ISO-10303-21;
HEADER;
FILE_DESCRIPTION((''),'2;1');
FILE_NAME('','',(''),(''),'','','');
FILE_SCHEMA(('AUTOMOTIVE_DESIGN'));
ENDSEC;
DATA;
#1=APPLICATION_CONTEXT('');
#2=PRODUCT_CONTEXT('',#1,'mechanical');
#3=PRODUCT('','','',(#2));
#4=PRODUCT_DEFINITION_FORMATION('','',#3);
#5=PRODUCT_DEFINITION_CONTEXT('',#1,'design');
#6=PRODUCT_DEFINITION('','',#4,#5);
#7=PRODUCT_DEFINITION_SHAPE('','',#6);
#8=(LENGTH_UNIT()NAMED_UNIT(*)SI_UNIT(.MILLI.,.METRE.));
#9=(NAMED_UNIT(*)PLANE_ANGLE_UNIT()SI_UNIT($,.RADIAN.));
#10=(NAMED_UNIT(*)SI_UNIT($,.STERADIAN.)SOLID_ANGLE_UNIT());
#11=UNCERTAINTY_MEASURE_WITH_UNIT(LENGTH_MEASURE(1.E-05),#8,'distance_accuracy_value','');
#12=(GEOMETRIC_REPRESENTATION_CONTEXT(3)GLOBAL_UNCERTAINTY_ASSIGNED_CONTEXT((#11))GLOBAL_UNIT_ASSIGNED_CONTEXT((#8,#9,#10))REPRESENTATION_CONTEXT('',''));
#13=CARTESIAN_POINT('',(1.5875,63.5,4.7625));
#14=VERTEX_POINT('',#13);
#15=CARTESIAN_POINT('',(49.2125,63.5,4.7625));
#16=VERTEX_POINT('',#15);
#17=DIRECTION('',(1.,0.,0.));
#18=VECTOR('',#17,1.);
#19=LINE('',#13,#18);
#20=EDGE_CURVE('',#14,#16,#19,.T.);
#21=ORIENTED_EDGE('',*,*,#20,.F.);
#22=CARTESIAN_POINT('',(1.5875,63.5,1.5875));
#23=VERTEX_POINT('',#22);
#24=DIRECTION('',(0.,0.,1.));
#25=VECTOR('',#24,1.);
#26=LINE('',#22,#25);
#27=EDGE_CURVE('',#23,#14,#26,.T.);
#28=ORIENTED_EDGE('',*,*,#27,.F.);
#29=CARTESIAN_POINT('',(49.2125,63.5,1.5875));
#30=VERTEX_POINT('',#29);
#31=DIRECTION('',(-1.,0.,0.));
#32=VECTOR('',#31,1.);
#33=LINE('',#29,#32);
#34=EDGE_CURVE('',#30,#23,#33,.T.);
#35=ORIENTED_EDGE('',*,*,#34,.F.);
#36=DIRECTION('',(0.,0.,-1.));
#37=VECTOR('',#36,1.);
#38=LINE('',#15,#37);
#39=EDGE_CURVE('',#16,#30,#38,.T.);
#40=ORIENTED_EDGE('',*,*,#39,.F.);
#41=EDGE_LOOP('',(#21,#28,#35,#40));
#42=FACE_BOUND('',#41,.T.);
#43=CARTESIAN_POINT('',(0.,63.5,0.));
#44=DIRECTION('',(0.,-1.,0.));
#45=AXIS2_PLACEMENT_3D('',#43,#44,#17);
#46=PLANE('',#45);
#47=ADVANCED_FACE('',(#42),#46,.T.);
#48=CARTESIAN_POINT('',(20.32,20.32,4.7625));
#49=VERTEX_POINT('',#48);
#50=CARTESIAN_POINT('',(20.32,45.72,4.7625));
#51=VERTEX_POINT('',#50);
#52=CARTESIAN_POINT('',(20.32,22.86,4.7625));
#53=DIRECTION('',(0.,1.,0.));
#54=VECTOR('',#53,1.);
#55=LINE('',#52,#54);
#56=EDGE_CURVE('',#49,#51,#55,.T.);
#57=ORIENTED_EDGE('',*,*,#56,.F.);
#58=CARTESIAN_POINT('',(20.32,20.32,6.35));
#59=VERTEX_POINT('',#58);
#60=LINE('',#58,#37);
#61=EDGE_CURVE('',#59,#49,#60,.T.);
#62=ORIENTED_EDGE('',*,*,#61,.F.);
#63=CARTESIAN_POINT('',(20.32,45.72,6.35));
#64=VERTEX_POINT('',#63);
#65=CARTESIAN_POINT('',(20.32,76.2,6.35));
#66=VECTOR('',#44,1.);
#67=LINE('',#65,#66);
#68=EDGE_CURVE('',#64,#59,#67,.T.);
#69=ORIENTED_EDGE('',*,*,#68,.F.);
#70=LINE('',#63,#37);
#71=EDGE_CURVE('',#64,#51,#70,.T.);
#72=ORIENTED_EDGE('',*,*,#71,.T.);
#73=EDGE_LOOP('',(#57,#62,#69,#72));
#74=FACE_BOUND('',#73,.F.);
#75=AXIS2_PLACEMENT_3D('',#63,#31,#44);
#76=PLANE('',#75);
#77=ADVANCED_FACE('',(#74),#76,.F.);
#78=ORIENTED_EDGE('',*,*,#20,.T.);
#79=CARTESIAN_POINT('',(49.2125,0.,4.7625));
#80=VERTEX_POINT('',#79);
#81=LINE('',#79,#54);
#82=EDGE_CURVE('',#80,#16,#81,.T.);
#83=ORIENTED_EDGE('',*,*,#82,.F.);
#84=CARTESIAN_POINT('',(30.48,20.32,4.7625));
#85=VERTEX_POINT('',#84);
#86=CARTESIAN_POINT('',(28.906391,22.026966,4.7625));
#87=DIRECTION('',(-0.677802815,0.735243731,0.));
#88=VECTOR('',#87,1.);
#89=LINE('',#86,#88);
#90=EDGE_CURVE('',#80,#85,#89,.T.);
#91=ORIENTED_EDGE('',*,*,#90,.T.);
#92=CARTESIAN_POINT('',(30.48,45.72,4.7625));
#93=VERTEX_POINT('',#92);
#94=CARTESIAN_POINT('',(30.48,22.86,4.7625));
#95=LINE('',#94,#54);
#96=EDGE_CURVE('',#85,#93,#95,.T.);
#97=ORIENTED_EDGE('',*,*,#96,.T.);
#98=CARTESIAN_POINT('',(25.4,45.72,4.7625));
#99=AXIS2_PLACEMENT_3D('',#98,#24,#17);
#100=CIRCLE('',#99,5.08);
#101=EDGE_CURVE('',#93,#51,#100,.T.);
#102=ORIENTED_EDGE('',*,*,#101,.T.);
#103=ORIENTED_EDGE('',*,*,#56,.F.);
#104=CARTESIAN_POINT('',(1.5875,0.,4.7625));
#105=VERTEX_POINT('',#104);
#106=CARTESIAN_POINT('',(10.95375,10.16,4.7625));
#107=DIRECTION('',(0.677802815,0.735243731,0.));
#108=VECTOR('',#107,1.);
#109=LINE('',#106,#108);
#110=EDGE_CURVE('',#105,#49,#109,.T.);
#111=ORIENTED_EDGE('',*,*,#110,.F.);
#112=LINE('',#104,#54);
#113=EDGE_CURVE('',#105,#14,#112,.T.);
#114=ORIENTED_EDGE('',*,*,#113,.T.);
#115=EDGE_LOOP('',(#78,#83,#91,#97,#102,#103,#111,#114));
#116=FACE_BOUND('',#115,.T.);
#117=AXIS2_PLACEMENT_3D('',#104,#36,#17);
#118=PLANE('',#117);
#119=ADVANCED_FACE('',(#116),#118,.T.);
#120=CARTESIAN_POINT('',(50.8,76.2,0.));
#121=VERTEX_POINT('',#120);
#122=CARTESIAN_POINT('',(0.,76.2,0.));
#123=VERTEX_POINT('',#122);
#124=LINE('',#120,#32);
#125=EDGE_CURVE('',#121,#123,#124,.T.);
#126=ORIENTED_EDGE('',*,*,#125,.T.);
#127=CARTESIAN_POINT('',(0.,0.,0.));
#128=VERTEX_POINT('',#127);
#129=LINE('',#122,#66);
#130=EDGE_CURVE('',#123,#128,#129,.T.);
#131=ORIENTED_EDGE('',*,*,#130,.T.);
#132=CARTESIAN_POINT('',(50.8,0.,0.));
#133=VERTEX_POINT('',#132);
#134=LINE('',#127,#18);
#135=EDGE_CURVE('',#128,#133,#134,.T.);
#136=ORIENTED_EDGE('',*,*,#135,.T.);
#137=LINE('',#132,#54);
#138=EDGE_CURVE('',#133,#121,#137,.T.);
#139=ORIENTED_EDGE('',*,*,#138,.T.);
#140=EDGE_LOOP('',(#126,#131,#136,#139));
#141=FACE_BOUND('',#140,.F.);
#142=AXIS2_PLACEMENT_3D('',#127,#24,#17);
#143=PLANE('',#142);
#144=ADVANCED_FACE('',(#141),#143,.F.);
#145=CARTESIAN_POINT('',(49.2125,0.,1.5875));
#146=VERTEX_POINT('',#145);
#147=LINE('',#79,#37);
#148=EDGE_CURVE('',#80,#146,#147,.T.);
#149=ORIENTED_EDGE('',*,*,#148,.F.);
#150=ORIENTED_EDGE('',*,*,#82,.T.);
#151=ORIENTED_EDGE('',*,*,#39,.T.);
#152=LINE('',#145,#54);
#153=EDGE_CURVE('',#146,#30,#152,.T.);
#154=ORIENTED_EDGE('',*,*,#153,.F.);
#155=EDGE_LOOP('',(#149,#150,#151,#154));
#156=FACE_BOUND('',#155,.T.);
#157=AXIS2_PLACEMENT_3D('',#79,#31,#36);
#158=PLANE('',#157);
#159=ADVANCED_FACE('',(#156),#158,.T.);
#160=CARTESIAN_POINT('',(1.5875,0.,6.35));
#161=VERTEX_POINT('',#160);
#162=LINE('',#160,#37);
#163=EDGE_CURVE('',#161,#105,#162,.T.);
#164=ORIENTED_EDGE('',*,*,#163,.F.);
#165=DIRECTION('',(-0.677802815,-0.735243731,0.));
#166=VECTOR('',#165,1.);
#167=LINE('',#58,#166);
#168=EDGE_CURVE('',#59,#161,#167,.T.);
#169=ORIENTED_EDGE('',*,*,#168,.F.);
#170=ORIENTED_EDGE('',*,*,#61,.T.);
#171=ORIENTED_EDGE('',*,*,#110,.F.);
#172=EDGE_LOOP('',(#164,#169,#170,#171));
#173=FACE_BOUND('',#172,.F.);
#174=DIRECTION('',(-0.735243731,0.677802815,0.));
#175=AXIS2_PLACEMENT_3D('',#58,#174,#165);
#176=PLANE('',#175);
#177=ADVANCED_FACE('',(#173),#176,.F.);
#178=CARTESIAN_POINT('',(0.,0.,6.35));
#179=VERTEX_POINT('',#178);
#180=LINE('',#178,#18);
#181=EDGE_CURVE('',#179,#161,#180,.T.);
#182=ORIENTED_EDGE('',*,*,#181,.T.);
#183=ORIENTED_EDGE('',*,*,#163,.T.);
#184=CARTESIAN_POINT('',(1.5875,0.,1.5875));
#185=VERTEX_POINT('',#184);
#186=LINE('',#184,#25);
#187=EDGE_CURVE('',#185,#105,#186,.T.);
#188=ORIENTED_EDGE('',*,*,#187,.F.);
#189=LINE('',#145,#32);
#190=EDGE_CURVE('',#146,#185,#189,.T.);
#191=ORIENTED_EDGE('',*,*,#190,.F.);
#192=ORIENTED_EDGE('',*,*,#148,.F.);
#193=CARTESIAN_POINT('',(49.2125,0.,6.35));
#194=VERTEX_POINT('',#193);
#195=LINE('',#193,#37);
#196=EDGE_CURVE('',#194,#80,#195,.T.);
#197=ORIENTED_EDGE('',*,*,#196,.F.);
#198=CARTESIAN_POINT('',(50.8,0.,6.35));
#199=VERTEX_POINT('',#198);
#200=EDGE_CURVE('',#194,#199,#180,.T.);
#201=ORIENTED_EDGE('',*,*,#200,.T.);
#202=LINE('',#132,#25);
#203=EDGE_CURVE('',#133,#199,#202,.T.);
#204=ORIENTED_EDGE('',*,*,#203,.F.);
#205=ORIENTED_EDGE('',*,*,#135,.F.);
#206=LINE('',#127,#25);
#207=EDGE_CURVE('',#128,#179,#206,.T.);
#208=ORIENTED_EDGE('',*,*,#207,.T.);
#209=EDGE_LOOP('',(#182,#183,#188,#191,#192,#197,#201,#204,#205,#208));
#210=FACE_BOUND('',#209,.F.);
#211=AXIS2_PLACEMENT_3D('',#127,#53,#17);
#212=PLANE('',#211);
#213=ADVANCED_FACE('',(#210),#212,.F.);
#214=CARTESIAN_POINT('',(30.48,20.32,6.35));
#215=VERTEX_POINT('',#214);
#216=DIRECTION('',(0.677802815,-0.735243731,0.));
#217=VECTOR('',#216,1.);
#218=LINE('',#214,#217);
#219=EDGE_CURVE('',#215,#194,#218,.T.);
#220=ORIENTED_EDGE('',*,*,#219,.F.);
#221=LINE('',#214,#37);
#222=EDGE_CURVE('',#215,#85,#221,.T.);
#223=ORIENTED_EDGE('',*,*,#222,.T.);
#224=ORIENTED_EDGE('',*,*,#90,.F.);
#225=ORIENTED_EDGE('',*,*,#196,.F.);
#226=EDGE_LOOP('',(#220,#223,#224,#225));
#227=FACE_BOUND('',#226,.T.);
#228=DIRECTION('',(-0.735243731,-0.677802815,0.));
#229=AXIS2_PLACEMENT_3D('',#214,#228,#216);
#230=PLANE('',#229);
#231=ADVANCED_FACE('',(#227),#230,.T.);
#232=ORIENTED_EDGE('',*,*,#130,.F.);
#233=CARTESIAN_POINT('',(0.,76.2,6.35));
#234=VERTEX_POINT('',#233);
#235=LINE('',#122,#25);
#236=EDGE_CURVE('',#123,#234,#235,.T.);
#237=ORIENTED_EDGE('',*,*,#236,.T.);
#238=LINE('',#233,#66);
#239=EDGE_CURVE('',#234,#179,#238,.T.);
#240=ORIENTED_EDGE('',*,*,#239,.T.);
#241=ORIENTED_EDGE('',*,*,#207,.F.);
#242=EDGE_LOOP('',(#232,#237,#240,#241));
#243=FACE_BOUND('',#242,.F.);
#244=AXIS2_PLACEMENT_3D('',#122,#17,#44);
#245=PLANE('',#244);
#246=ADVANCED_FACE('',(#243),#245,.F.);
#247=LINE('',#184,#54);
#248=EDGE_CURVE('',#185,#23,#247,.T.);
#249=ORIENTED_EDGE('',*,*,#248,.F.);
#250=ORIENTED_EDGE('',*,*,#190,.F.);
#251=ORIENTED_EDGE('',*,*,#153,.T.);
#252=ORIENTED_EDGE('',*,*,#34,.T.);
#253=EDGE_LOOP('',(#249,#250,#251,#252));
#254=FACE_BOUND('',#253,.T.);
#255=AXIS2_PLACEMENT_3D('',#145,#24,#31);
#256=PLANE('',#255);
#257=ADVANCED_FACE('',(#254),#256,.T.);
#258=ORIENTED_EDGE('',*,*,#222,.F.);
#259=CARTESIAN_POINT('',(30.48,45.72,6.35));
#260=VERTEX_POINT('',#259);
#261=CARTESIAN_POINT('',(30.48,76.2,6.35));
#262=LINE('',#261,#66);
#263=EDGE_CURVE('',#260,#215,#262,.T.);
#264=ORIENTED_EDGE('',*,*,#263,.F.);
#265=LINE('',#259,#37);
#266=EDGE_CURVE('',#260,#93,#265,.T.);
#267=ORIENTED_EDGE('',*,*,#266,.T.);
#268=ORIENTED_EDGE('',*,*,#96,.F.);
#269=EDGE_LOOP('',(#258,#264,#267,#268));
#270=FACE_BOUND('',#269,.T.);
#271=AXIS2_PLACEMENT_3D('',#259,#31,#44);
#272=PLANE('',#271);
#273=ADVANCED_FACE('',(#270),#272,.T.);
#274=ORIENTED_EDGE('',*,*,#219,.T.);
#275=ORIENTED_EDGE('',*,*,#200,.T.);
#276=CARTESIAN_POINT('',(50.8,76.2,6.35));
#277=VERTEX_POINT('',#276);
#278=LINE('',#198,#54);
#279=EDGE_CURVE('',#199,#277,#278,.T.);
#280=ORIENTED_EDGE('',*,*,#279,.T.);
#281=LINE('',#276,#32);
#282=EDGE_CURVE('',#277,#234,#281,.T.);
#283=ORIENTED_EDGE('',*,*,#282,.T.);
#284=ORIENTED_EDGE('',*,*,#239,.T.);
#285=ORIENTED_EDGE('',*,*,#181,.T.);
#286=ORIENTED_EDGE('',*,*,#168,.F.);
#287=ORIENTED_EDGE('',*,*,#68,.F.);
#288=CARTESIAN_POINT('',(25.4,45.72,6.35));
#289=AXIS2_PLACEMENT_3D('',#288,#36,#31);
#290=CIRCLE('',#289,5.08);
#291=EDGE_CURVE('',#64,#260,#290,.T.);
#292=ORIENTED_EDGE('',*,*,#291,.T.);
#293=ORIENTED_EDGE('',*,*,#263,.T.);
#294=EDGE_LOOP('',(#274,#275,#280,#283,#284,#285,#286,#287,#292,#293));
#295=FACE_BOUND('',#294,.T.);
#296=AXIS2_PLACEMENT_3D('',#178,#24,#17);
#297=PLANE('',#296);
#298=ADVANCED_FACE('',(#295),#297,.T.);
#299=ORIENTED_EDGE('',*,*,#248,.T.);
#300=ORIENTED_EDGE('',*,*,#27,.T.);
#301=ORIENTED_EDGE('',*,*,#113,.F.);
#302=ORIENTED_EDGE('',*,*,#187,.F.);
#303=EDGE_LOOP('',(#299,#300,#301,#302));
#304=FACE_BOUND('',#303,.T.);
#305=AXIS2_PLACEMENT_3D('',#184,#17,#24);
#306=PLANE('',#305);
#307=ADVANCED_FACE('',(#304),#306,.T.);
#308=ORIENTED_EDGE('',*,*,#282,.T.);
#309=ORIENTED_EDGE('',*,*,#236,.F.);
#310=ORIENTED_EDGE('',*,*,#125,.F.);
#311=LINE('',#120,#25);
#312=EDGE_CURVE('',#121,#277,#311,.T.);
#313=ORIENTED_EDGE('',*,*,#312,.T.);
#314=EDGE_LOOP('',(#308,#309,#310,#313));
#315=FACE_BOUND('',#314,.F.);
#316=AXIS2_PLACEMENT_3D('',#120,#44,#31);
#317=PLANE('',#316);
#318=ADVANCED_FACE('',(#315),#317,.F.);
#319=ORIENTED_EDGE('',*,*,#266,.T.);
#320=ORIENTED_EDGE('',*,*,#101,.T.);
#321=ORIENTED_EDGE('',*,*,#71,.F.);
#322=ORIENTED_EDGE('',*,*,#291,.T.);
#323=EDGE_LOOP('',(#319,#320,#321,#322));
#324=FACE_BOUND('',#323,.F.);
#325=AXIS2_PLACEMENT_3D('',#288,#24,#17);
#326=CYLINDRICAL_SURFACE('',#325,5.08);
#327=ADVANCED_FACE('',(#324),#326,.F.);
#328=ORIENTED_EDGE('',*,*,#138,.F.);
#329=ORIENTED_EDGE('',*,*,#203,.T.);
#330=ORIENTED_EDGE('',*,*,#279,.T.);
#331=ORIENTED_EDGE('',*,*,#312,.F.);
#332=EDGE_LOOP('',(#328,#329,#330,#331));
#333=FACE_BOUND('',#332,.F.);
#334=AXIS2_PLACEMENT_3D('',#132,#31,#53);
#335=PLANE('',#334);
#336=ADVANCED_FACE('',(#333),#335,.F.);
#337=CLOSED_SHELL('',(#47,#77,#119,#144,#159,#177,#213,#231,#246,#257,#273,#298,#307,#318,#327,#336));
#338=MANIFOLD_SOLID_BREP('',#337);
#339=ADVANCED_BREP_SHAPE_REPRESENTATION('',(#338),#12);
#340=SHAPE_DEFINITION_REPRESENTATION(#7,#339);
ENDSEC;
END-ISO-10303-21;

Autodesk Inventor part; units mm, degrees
ref_plane "YZ Plane" through (0, 0, 0) normal (1, 0, 0) x (0, 1, 0)
ref_plane "XZ Plane" through (0, 0, 0) normal (0, 1, 0) x (-1, 0, 0)
ref_plane "XY Plane" through (0, 0, 0) normal (0, 0, 1) x (1, 0, 0)
sketch "Sketch1" plane through (0, 0, 0) normal (0, 0, 1) x (1, 0, 0)
  line L0 (0, 0) -> (50.8, 0)
  line L1 (50.8, 0) -> (50.8, 76.2)
  line L2 (50.8, 76.2) -> (0, 76.2)
  line L3 (0, 76.2) -> (0, 0)
  dimension "d0" = 50.8
  dimension "d1" = 76.2
extrude "Extrusion1" add sketch "Sketch1" along normal blind 6.35
sketch "Sketch2" plane through (0, 0, 0) normal (0, -1, 0) x (1, 0, 0)
  line L0 (0, 0) -> (50.8, 0) projected
  line L1 (0, 6.35) -> (50.8, 6.35) projected
  line L2 (0, 0) -> (50.8, 0)
  line L3 (50.8, 0) -> (50.8, 6.35)
  line L4 (50.8, 6.35) -> (0, 6.35)
  line L5 (0, 6.35) -> (0, 0)
  line L6 (49.2125, 4.7625) -> (49.2125, 1.5875)
  line L7 (49.2125, 1.5875) -> (1.5875, 1.5875)
  line L8 (1.5875, 1.5875) -> (1.5875, 4.7625)
  line L9 (1.5875, 4.7625) -> (49.2125, 4.7625)
  dimension "d4" = 1.5875
extrude "Extrusion2" cut sketch "Sketch2" against normal blind 63.5 contours L6 L7 L8 L9
sketch "Sketch3" plane through (0, 0, 6.35) normal (0, 0, 1) x (1, 0, 0)
  line L0 (50.8, 76.2) -> (0, 76.2) projected
  line L1 (25.4, 76.2) -> (25.4, 0)
  line L2 (49.2125, 0) -> (1.5875, 0) projected
  line L3 (30.48, 76.2) -> (30.48, 0)
  line L4 (20.32, 76.2) -> (20.32, 0)
  line L5 (49.2125, 63.5) -> (1.5875, 63.5) projected
  line L6 (25.4, 63.5) -> (25.4, 50.8)
  line L7 (25.4, 50.8) -> (25.4, 45.72)
  circle A0 centre (25.4, 45.72) radius 5.08
  line L8 (30.48, 45.72) -> (30.48, 20.32)
  line L9 (49.2125, 0) -> (49.2125, 63.5) projected
  line L10 (30.48, 20.32) -> (49.2125, 0)
  line L11 (20.32, 45.72) -> (20.32, 20.32)
  line L12 (20.32, 20.32) -> (1.5875, 0)
  point P0 (0, 0)
  dimension "d7" = 5.08
  dimension "d8" = 5.08
  dimension "d9" = 12.7
  dimension "d10" = 5.08
  dimension "d11" = 25.4
  dimension "d12" = 25.4
extrude "Extrusion3" cut sketch "Sketch3" against normal blind 4.7625 contours A0 L1 | L3 L2 L1 A0 | L1 A0 | L10 L2 L3 | L1 L2 L4 A0 | L4 L2 L12
